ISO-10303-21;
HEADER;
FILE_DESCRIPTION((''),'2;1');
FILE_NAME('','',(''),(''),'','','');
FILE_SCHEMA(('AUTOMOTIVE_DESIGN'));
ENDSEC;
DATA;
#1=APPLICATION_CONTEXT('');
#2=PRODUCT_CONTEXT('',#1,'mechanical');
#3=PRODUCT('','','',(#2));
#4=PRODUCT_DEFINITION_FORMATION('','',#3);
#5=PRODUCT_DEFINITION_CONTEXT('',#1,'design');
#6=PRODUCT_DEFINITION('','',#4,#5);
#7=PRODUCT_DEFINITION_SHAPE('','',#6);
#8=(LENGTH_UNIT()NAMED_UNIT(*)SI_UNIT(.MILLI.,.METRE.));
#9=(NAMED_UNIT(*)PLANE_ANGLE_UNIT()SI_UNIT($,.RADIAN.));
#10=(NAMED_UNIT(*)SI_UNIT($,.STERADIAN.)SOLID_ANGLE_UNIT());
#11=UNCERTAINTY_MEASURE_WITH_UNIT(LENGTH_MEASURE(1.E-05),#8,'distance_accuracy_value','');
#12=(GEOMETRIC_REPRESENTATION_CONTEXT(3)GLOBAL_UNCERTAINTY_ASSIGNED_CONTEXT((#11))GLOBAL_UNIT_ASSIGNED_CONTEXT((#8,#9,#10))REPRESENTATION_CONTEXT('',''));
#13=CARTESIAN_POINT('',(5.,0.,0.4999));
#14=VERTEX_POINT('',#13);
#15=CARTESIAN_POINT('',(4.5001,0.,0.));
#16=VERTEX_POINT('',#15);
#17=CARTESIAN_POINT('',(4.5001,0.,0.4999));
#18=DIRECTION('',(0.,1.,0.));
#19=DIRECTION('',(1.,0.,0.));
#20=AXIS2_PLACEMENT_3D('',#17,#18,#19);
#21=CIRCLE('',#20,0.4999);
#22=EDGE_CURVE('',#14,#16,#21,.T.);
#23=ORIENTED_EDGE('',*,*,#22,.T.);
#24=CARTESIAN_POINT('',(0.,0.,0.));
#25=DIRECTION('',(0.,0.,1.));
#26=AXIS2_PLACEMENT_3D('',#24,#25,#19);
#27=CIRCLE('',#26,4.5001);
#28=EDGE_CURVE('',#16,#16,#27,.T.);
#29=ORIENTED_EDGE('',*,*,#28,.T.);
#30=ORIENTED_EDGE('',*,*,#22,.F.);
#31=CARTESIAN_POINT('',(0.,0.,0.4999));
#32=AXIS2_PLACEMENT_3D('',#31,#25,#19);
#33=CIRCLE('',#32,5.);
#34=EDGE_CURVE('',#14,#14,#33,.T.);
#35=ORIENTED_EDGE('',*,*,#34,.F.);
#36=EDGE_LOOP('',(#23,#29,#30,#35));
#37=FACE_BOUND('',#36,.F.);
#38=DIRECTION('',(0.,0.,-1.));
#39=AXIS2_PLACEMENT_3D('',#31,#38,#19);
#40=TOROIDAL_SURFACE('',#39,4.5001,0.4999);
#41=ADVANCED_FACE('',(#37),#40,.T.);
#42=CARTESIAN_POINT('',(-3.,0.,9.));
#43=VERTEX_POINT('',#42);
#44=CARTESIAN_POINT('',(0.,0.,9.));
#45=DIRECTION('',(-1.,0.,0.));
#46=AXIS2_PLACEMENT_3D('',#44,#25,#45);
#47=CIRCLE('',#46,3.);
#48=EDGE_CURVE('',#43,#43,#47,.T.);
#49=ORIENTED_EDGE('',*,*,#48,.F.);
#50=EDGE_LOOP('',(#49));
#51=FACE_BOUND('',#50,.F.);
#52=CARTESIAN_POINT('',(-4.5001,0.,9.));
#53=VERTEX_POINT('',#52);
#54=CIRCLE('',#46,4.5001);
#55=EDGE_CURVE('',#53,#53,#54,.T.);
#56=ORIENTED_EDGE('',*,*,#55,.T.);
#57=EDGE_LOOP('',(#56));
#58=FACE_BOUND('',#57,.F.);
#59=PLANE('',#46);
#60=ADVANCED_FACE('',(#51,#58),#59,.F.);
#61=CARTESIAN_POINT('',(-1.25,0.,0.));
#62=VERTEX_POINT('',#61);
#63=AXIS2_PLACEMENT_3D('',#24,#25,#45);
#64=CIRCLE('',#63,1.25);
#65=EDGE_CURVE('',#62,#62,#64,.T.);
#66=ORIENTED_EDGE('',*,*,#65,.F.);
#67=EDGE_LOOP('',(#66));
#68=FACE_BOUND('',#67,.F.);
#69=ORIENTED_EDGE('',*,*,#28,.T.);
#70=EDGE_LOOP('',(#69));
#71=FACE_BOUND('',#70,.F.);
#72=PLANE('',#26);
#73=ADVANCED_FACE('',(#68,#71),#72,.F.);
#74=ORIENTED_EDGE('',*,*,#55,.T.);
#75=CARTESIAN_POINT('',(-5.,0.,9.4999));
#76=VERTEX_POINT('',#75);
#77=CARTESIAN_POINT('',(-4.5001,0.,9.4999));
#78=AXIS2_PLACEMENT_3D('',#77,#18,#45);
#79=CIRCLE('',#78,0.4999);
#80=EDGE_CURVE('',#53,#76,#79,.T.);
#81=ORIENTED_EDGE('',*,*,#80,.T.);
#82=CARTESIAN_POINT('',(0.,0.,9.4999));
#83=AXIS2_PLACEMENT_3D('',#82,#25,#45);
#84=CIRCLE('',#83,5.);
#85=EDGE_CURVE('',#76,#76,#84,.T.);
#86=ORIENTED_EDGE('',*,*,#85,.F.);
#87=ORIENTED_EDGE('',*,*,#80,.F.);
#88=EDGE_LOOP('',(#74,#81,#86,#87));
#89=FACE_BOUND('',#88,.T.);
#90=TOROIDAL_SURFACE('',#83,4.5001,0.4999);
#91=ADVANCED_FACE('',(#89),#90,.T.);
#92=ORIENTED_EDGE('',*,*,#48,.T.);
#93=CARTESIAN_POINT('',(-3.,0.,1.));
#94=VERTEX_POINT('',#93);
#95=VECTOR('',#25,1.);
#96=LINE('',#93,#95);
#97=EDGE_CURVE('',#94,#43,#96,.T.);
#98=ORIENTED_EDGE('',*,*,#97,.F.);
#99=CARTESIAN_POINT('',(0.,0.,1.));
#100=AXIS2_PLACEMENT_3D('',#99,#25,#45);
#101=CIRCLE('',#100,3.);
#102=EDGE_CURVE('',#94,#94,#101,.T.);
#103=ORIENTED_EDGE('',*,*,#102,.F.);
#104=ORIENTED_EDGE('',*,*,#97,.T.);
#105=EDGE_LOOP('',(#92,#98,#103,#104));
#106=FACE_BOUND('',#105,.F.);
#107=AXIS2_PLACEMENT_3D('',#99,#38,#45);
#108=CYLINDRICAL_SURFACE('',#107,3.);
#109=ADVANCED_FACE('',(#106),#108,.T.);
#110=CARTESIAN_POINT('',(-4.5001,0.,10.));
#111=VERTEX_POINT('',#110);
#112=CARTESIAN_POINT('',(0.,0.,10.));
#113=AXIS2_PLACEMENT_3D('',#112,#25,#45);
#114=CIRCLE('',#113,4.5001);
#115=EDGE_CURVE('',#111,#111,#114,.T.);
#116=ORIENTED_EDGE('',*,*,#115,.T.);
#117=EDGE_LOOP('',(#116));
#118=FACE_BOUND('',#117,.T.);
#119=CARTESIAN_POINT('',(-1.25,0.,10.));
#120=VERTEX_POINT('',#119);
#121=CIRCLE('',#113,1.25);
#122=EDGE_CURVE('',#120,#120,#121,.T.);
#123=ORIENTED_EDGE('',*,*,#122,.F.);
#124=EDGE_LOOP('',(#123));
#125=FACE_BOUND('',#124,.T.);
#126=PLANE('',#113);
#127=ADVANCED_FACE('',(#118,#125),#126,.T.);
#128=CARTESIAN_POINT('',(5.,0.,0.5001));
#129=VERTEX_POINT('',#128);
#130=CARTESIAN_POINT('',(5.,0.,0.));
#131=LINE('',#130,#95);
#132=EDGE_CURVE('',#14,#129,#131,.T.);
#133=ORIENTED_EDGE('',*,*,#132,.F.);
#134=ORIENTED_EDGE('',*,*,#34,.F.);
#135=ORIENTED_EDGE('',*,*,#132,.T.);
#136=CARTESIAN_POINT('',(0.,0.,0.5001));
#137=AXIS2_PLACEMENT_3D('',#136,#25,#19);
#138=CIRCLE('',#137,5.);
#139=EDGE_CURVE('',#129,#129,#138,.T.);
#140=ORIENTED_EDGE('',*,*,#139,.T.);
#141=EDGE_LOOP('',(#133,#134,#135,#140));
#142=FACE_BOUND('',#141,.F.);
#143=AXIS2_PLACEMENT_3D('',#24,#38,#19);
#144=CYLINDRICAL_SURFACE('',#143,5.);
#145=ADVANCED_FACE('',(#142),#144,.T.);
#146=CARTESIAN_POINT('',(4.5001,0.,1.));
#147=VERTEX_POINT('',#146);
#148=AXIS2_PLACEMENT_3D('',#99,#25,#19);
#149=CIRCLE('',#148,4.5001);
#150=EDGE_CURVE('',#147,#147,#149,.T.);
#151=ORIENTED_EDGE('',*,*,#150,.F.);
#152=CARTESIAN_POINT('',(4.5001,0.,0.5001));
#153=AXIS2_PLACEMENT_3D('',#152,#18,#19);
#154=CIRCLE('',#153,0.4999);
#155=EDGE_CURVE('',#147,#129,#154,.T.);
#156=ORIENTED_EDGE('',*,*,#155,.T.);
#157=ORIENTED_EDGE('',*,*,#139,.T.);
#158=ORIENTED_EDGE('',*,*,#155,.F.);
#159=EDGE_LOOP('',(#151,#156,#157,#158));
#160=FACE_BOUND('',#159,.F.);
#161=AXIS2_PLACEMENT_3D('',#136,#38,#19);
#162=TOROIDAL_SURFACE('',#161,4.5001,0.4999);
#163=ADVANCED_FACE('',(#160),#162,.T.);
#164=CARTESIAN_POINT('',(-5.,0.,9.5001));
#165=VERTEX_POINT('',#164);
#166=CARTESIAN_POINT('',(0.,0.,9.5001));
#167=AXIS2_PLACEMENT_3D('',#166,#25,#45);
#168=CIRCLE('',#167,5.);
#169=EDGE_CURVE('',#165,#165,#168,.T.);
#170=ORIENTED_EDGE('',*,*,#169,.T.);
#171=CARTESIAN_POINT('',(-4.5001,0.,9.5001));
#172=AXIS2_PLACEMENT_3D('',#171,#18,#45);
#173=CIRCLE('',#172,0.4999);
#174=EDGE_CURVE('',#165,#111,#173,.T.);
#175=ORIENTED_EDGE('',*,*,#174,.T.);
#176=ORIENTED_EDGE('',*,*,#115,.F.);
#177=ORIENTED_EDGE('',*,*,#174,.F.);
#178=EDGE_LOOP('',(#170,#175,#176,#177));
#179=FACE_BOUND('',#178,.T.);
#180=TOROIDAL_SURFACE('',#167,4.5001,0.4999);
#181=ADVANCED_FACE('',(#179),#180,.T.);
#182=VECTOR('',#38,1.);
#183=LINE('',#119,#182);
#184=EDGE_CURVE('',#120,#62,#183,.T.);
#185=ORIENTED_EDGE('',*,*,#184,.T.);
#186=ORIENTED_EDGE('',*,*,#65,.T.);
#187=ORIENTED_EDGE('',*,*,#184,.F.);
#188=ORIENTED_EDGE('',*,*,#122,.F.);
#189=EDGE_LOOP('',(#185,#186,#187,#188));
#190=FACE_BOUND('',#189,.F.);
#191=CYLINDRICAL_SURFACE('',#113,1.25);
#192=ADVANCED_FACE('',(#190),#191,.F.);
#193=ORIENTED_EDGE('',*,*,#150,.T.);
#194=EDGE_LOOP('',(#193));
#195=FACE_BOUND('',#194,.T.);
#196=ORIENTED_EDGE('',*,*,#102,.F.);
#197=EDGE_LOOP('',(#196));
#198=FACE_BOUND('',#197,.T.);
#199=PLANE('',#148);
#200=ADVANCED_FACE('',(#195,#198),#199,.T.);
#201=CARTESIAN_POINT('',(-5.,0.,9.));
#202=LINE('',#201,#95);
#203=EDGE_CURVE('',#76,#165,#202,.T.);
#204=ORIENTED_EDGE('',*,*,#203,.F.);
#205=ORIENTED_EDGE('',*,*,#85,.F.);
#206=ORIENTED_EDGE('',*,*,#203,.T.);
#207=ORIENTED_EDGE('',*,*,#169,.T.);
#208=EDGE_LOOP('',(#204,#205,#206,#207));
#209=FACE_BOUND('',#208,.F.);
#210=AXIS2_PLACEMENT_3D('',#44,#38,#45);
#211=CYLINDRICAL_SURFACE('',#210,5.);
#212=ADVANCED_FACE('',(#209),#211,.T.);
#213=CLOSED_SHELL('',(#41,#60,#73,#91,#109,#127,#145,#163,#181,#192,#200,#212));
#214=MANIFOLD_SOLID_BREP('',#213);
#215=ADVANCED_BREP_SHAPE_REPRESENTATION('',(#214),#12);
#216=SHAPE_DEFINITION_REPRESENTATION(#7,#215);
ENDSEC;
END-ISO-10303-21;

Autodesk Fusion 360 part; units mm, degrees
sketch "Esquisse1" plane through (0, 0, 0) normal (0, 0, 1) x (1, 0, 0)
  circle A0 centre (0, 0) radius 5
  dimension "d1" = 10
extrude "Extrusion1" add sketch "Esquisse1" along normal blind 1
sketch "Esquisse2" plane through (0, 0, 1) normal (0, 0, 1) x (-1, 0, 0)
  circle A0 centre (0, 0) radius 5
  circle A1 centre (0, 0) radius 3
  dimension "d4" = 6
extrude "Extrusion2" add sketch "Esquisse2" along normal blind 8 contours A1
sketch "Esquisse3" plane through (0, 0, 9) normal (0, 0, 1) x (-1, 0, 0)
  circle A0 centre (0, 0) radius 3
  circle A1 centre (0, 0) radius 5
  dimension "d7" = 10
extrude "Extrusion3" add sketch "Esquisse3" along normal blind 1 contours A0 | A1
sketch "Esquisse4" plane through (0, 0, 10) normal (0, 0, 1) x (-1, 0, 0)
  circle A0 centre (0, 0) radius 5
  circle A1 centre (0, 0) radius 1.25
  dimension "d10" = 2.5
extrude "Extrusion4" cut sketch "Esquisse4" against normal blind 10 contours A1
fillet "Congé1" radius 0.5 4 edges at (-4.6616, -1.8081, 1) (4.6616, 1.8081, 9) (4.6616, 1.8081, 10) (-4.6616, -1.8081, 0)
